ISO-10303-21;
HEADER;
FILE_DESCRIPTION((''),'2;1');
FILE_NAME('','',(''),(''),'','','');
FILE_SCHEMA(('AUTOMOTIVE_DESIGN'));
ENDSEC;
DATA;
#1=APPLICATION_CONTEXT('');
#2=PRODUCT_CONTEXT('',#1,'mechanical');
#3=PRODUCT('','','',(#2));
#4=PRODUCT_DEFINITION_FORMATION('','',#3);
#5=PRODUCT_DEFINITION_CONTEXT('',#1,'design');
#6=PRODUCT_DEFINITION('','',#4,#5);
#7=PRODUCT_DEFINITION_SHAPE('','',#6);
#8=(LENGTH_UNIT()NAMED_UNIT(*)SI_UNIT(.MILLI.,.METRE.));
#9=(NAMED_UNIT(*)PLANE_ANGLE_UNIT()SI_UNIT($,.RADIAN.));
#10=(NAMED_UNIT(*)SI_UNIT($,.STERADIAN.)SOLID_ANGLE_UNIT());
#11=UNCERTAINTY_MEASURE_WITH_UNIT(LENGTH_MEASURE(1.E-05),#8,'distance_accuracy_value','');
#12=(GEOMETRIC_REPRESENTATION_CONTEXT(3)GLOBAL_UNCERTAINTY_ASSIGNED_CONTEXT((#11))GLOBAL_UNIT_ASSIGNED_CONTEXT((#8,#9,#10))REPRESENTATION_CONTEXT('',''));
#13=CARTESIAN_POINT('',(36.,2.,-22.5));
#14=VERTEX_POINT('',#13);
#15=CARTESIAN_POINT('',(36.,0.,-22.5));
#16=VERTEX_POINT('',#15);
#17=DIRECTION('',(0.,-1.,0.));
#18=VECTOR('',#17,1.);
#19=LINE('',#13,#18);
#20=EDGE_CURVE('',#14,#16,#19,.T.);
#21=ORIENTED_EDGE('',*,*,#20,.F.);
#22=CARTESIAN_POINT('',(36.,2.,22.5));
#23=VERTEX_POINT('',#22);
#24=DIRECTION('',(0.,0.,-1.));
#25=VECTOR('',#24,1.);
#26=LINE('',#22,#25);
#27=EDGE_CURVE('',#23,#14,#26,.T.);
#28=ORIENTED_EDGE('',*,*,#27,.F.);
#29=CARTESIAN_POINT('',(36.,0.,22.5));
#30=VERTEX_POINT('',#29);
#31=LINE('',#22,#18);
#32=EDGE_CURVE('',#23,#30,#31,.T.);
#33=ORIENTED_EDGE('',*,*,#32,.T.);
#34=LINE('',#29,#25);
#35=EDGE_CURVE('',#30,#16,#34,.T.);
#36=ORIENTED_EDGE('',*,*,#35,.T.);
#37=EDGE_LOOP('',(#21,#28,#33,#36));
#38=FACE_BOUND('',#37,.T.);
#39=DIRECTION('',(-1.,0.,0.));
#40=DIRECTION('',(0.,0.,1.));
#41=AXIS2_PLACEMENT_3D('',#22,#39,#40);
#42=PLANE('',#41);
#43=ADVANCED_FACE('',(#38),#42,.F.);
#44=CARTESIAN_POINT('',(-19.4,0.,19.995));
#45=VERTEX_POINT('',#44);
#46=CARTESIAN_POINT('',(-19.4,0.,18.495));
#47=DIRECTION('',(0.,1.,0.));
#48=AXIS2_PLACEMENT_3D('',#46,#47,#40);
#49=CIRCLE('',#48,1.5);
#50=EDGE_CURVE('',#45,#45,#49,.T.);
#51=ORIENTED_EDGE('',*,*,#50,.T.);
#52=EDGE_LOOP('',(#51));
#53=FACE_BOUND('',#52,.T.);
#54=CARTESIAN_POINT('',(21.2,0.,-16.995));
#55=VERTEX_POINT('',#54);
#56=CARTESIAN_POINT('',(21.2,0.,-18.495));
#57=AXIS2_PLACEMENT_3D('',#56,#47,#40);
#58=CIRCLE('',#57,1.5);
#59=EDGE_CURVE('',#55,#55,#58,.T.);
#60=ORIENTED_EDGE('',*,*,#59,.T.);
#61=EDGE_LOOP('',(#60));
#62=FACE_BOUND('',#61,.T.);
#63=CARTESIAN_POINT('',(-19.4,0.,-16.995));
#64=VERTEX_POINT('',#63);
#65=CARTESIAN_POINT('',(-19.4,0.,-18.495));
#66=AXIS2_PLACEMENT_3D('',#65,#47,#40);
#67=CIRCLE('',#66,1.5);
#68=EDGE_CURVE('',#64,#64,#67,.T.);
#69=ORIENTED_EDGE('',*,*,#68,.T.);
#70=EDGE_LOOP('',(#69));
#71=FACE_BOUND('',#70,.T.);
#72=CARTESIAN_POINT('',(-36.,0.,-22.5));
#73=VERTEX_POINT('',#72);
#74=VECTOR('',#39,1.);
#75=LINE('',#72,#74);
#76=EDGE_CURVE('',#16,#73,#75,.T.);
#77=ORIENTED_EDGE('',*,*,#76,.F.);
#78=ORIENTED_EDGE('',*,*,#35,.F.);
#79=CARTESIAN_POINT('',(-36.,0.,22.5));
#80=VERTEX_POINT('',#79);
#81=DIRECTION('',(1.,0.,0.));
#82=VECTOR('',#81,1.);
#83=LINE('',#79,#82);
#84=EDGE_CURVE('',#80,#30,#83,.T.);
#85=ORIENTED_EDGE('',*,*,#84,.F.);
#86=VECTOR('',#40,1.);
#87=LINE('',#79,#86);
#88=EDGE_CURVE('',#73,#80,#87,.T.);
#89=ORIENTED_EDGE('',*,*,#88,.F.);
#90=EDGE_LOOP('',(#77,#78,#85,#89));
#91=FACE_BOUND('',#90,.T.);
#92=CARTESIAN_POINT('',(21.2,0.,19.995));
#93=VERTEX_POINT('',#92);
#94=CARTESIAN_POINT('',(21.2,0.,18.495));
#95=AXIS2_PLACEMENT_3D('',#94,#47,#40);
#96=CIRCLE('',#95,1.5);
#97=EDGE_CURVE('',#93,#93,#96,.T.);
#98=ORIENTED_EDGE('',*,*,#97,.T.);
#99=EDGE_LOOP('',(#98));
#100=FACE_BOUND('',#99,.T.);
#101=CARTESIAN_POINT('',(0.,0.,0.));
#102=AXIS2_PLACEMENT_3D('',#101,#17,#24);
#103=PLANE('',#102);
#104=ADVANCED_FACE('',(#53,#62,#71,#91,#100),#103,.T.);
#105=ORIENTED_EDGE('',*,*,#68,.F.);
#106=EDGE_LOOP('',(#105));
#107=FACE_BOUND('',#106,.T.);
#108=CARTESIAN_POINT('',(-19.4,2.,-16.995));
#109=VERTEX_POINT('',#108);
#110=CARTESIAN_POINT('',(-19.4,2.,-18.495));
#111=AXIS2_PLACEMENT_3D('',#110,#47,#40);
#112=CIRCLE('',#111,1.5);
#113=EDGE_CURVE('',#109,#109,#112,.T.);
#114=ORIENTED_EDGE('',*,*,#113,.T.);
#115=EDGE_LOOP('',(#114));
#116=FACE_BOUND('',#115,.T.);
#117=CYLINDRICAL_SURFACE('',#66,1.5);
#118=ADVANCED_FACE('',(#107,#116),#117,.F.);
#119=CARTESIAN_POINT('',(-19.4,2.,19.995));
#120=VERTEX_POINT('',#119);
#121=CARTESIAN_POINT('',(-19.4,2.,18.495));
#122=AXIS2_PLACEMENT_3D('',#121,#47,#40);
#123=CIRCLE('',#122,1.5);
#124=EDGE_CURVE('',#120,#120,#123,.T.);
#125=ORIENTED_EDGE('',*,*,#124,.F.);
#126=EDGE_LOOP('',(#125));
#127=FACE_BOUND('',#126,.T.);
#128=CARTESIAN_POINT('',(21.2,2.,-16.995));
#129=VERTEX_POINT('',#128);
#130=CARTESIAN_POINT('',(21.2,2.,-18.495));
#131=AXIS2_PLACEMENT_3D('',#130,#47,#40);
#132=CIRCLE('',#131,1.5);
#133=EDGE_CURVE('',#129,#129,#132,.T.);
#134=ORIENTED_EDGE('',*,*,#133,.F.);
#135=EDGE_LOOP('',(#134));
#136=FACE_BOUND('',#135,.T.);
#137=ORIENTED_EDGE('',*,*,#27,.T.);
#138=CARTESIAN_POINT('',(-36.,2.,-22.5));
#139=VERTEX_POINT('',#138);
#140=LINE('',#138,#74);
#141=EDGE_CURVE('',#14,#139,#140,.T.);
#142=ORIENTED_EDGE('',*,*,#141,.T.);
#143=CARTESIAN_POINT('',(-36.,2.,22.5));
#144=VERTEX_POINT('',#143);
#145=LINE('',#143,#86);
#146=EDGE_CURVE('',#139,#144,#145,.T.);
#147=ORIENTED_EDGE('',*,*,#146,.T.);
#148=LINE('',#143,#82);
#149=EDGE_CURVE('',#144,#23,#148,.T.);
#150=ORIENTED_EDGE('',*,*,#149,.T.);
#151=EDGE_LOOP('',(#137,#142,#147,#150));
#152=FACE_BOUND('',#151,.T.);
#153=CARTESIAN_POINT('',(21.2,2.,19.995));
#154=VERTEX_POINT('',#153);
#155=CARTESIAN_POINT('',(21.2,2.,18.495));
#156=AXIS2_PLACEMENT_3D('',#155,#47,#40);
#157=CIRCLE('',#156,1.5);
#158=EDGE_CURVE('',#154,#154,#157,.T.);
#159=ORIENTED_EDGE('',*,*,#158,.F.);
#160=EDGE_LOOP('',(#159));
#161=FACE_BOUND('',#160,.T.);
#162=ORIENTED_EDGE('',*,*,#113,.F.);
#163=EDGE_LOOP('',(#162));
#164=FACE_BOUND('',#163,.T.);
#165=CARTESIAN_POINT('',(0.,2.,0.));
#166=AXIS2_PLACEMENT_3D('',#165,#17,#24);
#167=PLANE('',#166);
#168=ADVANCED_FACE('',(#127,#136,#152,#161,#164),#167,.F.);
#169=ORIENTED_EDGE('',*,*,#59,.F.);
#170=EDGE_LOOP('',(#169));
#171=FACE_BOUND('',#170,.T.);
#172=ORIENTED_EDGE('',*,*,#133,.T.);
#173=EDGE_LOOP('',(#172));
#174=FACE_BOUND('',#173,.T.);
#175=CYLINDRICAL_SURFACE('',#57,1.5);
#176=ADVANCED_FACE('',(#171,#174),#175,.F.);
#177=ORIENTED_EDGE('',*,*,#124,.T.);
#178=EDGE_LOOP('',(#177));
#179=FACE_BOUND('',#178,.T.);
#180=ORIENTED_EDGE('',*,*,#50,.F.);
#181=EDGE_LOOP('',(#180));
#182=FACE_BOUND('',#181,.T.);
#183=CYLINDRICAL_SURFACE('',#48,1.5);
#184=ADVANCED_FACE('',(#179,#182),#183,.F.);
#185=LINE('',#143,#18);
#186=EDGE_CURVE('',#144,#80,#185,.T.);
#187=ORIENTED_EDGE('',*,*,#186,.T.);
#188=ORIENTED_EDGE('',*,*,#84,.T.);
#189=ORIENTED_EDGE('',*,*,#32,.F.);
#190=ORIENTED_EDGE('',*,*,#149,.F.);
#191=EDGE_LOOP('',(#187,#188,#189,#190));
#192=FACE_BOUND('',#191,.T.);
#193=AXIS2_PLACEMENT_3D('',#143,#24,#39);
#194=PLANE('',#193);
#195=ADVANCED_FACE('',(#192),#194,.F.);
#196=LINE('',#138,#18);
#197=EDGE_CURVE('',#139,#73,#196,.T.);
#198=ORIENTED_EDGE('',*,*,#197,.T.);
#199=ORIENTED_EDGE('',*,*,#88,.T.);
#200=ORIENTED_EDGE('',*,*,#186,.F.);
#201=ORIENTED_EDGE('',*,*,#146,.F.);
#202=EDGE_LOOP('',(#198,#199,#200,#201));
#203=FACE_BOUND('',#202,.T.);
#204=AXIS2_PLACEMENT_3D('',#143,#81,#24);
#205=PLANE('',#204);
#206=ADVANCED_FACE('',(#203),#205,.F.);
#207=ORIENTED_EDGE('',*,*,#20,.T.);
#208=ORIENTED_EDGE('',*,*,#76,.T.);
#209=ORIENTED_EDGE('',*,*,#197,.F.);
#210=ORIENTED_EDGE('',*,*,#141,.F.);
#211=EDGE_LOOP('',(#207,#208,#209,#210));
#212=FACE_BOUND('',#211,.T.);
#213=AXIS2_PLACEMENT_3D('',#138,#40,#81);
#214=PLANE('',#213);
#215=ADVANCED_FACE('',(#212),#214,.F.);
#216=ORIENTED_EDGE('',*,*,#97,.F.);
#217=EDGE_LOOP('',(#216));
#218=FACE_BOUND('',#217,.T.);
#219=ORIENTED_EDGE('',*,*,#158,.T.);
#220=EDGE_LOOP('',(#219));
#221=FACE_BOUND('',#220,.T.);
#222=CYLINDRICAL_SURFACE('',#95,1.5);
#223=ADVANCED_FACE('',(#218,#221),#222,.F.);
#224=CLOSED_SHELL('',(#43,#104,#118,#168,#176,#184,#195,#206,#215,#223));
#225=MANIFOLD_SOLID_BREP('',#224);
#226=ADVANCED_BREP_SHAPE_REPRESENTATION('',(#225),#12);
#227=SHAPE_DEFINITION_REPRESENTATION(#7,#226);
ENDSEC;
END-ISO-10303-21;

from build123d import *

# Parameters (mm, degrees)
SKETCH1_W           = 72
SKETCH1_H           = 45
BOSS_EXTRUDE1_DEPTH = 2
SKETCH2_R           = 1.5
CUT_EXTRUDE1_DEPTH  = 2


with BuildPart() as part:
    # Sketch1 → Boss-Extrude1 (new body)
    with BuildSketch(Plane(origin=(0, 0, 0), x_dir=(1, 0, 0), z_dir=(0, 1, 0))):
        Rectangle(SKETCH1_W, SKETCH1_H)
    extrude(amount=BOSS_EXTRUDE1_DEPTH)

    # Sketch2 → Cut-Extrude1 (cut)
    with BuildSketch(Plane(origin=(0, 2, 0), x_dir=(1, 0, 0), z_dir=(0, 1, 0))):
        with Locations(Location((21.2, 18.495, 0), (0, 0, 270))):
            Circle(SKETCH2_R)
        with Locations(Location((21.2, -18.495, 0), (0, 0, 270))):
            Circle(SKETCH2_R)
        with Locations(Location((-19.4, -18.495, 0), (0, 0, 270))):
            Circle(SKETCH2_R)
        with Locations(Location((-19.4, 18.495, 0), (0, 0, 270))):
            Circle(SKETCH2_R)
    extrude(amount=-CUT_EXTRUDE1_DEPTH, mode=Mode.SUBTRACT)


solid = part.part
